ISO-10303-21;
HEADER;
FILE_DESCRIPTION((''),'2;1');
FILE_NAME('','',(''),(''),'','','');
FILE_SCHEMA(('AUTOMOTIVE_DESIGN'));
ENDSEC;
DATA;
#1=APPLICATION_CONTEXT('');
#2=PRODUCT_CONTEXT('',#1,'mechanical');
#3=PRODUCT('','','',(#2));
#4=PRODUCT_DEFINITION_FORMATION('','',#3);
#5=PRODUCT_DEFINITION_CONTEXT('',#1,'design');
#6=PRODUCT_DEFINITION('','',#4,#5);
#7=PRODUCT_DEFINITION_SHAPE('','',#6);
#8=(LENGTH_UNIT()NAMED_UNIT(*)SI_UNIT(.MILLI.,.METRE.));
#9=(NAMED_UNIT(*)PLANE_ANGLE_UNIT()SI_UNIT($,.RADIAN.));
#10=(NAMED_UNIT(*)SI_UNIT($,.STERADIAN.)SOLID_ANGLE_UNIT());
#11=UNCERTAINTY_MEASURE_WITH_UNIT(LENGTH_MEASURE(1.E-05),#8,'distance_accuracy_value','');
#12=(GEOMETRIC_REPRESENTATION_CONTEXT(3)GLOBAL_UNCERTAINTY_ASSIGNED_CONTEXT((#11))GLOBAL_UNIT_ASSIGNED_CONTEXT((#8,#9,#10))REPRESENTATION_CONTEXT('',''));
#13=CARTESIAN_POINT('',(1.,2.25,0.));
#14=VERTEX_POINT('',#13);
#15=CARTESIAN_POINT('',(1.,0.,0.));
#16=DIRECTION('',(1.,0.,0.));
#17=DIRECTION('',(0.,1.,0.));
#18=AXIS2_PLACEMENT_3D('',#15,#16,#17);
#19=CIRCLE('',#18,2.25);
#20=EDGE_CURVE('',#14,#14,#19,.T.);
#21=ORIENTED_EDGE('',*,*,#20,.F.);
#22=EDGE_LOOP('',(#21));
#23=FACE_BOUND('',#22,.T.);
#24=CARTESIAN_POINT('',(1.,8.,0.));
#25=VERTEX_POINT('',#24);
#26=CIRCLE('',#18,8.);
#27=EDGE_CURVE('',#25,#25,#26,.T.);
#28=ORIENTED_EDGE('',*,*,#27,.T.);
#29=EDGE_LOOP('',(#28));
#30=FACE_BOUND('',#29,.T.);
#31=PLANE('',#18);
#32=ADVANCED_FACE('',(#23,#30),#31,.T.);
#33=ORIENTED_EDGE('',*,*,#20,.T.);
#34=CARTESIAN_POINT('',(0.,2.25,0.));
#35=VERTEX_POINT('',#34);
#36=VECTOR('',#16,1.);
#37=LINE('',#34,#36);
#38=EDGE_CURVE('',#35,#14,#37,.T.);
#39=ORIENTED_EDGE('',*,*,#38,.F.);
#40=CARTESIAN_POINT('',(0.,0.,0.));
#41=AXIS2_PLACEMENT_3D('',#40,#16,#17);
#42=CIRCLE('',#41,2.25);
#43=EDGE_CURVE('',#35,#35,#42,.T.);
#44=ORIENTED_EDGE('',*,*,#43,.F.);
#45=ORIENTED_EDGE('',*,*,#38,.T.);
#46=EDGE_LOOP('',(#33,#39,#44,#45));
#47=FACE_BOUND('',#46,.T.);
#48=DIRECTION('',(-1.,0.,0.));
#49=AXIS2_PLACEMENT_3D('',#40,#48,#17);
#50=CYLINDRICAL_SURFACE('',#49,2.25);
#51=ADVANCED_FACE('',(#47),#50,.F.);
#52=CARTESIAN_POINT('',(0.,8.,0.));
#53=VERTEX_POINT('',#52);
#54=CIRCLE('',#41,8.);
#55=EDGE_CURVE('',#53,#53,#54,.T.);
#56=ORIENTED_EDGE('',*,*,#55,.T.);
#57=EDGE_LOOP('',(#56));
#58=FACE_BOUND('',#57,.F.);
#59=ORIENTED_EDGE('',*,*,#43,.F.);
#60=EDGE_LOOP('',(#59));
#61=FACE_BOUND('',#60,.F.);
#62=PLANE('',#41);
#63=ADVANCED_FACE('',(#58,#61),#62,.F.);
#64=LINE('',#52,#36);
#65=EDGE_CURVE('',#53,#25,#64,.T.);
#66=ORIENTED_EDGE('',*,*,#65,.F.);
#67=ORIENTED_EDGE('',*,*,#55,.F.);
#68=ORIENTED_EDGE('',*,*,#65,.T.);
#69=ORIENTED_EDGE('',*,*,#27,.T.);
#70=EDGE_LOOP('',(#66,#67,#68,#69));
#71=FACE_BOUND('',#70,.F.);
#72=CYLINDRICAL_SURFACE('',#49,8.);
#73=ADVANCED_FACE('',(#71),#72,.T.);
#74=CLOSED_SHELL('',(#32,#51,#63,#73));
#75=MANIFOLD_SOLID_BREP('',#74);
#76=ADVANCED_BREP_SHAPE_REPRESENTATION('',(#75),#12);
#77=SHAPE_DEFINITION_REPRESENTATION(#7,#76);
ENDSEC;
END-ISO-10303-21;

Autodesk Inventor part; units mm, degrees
ref_plane "YZ Plane" through (0, 0, 0) normal (1, 0, 0) x (0, 1, 0)
ref_plane "XZ Plane" through (0, 0, 0) normal (0, 1, 0) x (-1, 0, 0)
sketch "Sketch" plane through (0, 0, 0) normal (1, 0, 0) x (0, 1, 0)
  circle A0 centre (0, 0) radius 8
  circle A1 centre (0, 0) radius 2.25
  dimension "d0" = 4.5
  dimension "d1" = 16
extrude "Body" add sketch "Sketch" along normal blind 1
ref_plane "Work Plane1" through (0, 0, 0) normal (0, 0, 1) x (1, 0, 0)
equation "\"d0\" = SD1"
equation "\"d1\" = SD2"
equation "\"d2\" = SD"
equation "\"SD1\" = 4.5"
equation "\"SD2\" = 16"
equation "\"SD\" = 1"
equation "\"NND\" = 4"
properties part number "ISO 7091 - ST 4 - 100 HV" material "Steel"
